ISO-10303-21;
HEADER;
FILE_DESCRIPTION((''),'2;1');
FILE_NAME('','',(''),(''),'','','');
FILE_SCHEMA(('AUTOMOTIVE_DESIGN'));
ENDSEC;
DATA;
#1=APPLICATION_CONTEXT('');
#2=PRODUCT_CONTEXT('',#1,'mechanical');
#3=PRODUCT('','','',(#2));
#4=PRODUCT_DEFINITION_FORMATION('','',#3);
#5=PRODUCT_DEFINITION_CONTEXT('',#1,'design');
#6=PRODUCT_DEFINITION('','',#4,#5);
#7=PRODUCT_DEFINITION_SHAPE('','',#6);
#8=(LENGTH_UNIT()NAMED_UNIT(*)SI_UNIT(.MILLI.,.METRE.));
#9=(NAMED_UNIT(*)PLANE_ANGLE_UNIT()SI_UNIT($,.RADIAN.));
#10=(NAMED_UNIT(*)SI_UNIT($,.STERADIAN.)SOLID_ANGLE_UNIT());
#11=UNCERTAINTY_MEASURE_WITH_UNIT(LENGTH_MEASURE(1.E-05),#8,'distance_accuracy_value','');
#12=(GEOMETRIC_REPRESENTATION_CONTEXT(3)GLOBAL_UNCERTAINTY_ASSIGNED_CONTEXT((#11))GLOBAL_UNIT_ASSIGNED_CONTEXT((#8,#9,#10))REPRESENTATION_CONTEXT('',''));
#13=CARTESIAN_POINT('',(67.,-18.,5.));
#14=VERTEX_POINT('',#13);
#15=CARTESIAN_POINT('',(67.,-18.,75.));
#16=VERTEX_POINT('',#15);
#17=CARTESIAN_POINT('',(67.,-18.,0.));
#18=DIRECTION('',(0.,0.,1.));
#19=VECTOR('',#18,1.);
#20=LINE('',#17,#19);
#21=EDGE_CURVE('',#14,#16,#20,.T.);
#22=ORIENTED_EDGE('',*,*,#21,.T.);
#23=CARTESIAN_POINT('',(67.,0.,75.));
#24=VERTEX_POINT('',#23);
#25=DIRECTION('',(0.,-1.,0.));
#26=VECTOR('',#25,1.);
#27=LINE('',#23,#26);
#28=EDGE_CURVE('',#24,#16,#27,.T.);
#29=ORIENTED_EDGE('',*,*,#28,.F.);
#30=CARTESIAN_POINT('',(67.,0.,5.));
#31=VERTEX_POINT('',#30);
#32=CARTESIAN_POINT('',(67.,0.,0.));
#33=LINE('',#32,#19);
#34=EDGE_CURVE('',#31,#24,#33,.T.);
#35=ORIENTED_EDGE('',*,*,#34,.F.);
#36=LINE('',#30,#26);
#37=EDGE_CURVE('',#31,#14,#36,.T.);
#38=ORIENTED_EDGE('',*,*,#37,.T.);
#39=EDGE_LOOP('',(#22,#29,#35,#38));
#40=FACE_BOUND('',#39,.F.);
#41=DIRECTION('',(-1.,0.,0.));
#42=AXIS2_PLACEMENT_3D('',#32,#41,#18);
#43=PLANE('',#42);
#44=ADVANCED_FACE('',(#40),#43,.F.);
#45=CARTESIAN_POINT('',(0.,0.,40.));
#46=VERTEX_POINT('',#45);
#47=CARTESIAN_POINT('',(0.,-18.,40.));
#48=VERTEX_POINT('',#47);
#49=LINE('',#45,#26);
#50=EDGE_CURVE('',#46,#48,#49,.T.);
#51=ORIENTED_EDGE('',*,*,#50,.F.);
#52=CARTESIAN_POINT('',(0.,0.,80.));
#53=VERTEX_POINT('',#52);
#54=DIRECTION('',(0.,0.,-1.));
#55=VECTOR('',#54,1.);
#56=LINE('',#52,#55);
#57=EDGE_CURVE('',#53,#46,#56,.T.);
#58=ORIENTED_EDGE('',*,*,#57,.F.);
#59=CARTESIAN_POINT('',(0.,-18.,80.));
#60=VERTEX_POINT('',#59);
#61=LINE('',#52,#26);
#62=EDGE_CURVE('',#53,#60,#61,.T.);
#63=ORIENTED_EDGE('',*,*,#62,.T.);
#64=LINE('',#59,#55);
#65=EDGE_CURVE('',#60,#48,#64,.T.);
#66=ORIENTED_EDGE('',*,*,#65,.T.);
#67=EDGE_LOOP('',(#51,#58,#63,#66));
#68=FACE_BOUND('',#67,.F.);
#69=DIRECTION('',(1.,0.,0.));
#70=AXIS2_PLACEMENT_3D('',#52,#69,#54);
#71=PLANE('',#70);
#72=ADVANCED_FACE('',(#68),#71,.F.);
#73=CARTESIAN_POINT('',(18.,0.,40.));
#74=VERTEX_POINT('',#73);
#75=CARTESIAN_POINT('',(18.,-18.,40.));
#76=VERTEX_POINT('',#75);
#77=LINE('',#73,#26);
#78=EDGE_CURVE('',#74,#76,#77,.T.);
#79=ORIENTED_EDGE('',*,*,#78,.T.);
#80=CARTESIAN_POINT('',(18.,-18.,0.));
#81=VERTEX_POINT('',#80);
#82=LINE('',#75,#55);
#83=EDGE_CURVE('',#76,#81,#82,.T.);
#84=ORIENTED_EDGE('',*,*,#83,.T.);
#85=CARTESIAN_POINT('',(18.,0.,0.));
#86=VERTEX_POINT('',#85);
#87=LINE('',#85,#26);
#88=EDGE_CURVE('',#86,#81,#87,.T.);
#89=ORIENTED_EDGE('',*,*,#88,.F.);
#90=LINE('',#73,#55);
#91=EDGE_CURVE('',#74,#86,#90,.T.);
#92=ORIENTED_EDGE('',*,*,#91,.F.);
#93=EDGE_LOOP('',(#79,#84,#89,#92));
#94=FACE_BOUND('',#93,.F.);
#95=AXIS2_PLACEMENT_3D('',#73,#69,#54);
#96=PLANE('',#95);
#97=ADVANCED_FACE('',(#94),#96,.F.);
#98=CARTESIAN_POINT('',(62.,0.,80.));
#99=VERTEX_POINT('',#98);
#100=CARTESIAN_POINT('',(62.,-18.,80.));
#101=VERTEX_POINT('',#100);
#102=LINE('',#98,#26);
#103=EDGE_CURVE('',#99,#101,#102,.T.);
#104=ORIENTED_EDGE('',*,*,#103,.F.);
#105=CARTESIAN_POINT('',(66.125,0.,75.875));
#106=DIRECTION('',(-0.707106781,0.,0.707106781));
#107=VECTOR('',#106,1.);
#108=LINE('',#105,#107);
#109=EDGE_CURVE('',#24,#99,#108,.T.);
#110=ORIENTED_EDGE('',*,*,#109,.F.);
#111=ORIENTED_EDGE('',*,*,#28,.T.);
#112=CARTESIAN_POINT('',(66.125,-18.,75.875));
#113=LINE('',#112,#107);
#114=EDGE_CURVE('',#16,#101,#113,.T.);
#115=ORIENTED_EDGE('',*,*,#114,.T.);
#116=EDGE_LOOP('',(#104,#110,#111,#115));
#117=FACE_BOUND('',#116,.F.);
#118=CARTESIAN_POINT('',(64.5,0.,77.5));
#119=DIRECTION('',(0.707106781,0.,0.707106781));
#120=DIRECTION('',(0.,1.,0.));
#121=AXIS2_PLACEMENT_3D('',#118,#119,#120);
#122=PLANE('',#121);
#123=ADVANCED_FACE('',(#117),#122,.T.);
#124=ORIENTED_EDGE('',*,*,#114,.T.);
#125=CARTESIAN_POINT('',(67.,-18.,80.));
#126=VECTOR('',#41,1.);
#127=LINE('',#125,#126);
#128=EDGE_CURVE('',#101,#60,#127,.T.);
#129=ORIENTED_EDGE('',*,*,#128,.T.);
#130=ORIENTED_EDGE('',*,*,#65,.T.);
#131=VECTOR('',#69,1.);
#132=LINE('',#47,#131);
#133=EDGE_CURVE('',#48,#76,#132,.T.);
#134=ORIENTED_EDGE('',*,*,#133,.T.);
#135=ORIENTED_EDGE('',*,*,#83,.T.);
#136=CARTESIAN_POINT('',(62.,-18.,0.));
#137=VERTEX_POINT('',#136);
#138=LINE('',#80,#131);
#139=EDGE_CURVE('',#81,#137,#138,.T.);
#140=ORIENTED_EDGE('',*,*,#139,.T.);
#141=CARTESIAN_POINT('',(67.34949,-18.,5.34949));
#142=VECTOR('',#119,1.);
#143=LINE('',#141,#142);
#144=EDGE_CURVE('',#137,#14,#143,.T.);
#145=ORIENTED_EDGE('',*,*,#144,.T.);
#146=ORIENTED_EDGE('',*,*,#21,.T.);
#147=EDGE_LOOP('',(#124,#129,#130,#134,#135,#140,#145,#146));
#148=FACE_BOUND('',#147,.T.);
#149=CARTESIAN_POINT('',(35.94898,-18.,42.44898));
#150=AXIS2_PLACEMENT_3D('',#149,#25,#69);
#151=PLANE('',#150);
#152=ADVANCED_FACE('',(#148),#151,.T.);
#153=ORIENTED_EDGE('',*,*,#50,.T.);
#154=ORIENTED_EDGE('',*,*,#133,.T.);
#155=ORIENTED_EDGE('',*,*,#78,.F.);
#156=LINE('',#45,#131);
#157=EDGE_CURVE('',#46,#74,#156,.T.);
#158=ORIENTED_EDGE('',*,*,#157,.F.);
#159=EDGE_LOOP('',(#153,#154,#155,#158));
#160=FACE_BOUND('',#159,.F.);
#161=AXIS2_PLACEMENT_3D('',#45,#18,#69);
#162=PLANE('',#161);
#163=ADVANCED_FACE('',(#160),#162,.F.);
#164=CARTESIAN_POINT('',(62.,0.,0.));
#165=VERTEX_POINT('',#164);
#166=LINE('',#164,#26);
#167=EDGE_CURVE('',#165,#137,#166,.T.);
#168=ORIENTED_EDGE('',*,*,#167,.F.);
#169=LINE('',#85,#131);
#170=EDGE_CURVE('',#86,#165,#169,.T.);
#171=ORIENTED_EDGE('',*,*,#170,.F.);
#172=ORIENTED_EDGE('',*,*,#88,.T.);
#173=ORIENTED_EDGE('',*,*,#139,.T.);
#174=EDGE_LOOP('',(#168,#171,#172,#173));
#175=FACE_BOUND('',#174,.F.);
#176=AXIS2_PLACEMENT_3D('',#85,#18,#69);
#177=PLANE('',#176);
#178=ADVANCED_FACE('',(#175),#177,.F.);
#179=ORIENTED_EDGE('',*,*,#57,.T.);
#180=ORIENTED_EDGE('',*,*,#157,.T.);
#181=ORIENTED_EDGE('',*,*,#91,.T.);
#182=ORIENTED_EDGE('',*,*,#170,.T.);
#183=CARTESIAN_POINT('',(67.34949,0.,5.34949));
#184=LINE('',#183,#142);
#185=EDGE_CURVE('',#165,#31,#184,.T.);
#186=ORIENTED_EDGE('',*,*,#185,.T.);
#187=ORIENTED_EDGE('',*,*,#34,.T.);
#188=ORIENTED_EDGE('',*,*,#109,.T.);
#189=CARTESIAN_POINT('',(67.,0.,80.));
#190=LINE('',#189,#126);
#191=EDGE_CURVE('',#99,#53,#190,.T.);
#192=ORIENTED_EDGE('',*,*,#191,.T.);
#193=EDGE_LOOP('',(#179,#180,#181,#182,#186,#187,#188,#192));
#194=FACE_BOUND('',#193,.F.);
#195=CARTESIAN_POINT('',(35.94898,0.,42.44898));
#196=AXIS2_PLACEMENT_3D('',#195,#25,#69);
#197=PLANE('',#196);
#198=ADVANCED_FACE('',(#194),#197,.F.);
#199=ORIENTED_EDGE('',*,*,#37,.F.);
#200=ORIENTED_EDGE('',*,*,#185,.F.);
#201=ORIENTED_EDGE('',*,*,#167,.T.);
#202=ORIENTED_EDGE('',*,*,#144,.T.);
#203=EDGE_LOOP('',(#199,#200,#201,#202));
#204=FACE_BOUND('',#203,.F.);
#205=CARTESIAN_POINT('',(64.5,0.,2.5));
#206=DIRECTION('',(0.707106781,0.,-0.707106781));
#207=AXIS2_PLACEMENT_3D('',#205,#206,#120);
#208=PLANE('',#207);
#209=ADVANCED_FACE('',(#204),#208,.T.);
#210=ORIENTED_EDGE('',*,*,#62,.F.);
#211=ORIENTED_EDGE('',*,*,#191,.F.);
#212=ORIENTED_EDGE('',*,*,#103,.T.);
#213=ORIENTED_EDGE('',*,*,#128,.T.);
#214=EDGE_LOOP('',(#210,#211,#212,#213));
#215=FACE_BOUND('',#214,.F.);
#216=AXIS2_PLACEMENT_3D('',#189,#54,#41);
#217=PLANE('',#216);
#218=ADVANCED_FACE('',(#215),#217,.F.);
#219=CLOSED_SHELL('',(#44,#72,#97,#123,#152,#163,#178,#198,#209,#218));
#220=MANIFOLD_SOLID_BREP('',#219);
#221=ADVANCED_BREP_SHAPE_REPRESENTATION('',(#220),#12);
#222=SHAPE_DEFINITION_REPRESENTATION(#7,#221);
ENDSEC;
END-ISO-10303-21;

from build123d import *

# Parameters (mm, degrees)
F1_DEPTH = 18
F2_SIZE  = 5


with BuildPart() as f1:
    # F0 (on Front) → F1 (new body)
    with BuildSketch(Plane.XZ):
        Polygon((18, 40), (18, 0), (67, 0), (67, 80), (0, 80), (0, 40), align=None)
    extrude(amount=F1_DEPTH)

    # F2
    f2_edges = [f1.edges().sort_by_distance(p)[0] for p in [
        (67, -9, 80),
        (67, -9, 0),
    ]]
    chamfer(f2_edges, length=F2_SIZE)


solid = f1.part
